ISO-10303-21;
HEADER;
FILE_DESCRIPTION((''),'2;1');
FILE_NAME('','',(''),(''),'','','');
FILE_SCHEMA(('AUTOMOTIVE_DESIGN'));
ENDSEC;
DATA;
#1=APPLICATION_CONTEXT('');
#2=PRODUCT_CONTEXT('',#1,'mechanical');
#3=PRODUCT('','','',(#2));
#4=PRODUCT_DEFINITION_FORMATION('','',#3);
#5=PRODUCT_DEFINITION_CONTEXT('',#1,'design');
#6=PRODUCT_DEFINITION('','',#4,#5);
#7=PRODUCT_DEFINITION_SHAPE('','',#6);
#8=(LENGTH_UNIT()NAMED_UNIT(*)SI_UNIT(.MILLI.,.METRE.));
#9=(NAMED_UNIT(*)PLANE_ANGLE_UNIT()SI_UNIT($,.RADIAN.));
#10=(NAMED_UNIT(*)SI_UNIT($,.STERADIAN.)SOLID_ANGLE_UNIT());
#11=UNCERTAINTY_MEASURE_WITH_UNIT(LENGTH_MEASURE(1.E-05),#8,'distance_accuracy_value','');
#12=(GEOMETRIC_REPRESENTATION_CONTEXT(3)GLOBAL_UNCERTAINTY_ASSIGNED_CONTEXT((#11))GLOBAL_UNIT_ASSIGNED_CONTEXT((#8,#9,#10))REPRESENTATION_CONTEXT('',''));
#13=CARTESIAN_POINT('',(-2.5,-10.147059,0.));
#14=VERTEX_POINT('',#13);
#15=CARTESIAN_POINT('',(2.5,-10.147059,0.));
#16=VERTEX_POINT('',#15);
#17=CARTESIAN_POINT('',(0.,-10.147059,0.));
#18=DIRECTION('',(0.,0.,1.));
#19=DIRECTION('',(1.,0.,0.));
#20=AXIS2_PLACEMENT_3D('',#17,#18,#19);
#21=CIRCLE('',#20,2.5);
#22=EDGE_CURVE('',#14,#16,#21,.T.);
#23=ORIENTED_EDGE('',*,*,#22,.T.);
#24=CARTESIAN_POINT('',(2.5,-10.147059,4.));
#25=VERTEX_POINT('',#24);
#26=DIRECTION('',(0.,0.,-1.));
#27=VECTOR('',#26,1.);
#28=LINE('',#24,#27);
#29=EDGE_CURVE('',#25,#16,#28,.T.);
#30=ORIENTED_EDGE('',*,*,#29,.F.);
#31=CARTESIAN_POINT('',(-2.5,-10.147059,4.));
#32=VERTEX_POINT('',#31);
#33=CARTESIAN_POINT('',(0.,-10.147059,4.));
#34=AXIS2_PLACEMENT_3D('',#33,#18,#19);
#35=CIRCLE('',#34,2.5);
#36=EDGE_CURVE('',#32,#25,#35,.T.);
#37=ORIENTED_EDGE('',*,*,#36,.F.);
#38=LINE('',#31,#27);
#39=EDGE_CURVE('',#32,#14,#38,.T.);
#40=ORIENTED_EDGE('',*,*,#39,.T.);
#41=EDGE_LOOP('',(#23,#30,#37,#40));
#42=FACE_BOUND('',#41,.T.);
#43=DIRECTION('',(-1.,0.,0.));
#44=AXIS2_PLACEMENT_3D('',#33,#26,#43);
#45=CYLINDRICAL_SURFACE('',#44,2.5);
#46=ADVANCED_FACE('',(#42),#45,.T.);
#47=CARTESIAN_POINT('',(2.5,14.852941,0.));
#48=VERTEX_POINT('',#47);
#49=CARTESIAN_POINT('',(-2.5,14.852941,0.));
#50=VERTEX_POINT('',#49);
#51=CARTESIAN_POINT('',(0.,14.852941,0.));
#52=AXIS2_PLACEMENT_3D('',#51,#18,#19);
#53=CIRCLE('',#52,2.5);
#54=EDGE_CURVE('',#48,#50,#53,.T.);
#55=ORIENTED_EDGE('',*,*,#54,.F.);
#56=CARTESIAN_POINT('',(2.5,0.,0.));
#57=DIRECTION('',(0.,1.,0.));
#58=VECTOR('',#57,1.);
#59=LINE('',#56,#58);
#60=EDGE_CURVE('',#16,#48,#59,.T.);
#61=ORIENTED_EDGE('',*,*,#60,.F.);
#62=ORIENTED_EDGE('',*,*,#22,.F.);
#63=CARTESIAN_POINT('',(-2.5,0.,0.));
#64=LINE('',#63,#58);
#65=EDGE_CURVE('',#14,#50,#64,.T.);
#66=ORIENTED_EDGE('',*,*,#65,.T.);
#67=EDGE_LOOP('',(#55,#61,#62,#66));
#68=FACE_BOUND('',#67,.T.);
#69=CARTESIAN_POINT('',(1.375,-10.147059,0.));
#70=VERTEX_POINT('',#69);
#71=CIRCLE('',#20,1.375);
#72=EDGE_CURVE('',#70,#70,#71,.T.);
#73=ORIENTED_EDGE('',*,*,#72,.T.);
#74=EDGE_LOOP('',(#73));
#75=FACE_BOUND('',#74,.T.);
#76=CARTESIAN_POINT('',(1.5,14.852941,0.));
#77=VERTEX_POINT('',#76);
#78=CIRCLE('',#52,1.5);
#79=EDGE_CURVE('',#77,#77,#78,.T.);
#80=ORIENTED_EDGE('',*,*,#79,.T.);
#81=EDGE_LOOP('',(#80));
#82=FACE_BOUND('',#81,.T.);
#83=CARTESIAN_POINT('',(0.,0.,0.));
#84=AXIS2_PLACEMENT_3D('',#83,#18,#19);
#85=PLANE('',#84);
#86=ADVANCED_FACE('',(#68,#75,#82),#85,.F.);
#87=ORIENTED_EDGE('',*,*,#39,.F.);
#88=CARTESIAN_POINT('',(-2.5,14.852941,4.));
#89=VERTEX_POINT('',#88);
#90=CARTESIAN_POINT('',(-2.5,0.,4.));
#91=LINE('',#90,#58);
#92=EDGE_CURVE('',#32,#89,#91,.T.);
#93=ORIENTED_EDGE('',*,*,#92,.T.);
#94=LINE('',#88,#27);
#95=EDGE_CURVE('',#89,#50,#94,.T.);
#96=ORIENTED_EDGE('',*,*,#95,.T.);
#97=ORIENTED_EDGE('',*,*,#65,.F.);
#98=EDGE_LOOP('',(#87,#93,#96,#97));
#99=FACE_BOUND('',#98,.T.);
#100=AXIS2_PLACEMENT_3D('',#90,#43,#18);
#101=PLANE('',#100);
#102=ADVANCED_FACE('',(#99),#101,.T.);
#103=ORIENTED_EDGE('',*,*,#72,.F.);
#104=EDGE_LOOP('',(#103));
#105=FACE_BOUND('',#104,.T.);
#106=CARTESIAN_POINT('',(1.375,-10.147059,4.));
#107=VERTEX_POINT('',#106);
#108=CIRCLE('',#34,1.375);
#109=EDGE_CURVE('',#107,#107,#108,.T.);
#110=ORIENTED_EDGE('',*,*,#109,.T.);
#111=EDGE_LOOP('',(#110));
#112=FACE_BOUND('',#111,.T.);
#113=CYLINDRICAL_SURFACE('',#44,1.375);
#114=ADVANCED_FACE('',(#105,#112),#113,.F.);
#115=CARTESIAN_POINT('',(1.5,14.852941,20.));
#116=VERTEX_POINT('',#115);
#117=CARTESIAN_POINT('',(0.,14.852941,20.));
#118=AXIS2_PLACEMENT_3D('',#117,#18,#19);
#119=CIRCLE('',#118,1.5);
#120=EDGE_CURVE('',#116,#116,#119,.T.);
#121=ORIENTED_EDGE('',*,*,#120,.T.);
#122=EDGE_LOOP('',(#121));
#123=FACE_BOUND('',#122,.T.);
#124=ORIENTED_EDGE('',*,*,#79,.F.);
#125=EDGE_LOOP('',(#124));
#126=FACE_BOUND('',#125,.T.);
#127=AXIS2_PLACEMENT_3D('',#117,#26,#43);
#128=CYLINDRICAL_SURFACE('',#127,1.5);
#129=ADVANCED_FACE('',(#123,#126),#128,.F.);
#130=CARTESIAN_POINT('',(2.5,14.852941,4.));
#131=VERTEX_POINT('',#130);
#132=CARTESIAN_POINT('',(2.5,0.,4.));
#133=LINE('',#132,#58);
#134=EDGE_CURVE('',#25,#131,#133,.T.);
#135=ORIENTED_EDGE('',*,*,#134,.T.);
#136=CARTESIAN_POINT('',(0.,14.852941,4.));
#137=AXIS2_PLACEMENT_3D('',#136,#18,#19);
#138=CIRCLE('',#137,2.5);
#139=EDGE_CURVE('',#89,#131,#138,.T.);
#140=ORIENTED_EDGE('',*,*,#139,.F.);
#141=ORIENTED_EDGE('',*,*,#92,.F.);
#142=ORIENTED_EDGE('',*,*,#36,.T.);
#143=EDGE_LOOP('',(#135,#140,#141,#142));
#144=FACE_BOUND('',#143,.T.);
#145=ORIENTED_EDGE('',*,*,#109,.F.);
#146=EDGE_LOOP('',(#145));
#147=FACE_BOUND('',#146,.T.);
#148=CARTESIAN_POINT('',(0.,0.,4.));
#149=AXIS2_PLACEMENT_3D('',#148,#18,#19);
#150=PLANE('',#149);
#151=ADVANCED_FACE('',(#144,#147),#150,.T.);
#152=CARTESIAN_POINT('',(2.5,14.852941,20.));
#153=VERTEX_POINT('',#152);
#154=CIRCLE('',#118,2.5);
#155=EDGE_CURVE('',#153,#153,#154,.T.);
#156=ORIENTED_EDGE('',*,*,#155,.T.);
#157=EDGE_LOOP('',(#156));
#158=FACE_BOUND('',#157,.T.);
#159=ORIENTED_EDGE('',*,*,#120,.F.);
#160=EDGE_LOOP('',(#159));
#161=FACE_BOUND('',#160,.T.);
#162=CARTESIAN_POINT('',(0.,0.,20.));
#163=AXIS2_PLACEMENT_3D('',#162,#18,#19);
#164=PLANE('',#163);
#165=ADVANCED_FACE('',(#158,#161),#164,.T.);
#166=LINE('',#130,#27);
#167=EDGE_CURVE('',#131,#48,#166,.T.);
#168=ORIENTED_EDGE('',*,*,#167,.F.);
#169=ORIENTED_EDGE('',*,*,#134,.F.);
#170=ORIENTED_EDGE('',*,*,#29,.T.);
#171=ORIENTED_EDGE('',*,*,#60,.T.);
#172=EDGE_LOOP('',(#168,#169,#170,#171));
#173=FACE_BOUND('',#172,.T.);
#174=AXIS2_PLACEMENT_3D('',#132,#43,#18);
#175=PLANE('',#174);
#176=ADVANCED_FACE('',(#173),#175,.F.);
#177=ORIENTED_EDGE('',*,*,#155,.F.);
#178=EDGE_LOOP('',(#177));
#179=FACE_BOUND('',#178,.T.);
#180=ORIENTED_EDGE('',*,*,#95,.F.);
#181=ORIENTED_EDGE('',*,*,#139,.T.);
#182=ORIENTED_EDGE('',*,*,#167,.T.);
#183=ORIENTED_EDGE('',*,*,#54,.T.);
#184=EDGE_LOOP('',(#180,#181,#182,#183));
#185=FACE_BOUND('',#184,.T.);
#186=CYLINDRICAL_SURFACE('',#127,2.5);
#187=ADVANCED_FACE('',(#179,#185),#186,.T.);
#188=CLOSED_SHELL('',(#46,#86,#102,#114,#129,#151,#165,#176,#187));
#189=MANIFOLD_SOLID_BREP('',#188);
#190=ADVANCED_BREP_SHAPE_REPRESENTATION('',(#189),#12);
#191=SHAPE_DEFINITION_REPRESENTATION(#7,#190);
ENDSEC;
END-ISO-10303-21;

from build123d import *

# Parameters (mm, degrees)
SKETCH1_R           = 1.375
BOSS_EXTRUDE3_DEPTH = 4
SKETCH1_6_R         = 1.5
BOSS_EXTRUDE4_DEPTH = 20


with BuildPart() as part:
    # Sketch1 → Boss-Extrude3 (new body)
    with BuildSketch(Plane.XY):
        with BuildLine():
            Line((-2.5, 14.852941176), (-2.5, -10.147058824))
            ThreePointArc((-2.5, -10.147058824), (0, -12.647058824), (2.5, -10.147058824))
            Line((2.5, -10.147058824), (2.5, 14.852941176))
            ThreePointArc((2.5, 14.852941176), (0, 12.352941176), (-2.5, 14.852941176))
        make_face()
        with Locations((0, -10.147058824)):
            Circle(SKETCH1_R, mode=Mode.SUBTRACT)
    extrude(amount=BOSS_EXTRUDE3_DEPTH)

    # Sketch1<6> → Boss-Extrude4 (add)
    with BuildSketch(Plane.XY):
        with BuildLine():
            ThreePointArc((2.5, 14.852941176), (0, 17.352941176), (-2.5, 14.852941176))
            ThreePointArc((-2.5, 14.852941176), (0, 12.352941176), (2.5, 14.852941176))
        make_face()
        with Locations((0, 14.852941176)):
            Circle(SKETCH1_6_R, mode=Mode.SUBTRACT)
    extrude(amount=BOSS_EXTRUDE4_DEPTH)


solid = part.part
